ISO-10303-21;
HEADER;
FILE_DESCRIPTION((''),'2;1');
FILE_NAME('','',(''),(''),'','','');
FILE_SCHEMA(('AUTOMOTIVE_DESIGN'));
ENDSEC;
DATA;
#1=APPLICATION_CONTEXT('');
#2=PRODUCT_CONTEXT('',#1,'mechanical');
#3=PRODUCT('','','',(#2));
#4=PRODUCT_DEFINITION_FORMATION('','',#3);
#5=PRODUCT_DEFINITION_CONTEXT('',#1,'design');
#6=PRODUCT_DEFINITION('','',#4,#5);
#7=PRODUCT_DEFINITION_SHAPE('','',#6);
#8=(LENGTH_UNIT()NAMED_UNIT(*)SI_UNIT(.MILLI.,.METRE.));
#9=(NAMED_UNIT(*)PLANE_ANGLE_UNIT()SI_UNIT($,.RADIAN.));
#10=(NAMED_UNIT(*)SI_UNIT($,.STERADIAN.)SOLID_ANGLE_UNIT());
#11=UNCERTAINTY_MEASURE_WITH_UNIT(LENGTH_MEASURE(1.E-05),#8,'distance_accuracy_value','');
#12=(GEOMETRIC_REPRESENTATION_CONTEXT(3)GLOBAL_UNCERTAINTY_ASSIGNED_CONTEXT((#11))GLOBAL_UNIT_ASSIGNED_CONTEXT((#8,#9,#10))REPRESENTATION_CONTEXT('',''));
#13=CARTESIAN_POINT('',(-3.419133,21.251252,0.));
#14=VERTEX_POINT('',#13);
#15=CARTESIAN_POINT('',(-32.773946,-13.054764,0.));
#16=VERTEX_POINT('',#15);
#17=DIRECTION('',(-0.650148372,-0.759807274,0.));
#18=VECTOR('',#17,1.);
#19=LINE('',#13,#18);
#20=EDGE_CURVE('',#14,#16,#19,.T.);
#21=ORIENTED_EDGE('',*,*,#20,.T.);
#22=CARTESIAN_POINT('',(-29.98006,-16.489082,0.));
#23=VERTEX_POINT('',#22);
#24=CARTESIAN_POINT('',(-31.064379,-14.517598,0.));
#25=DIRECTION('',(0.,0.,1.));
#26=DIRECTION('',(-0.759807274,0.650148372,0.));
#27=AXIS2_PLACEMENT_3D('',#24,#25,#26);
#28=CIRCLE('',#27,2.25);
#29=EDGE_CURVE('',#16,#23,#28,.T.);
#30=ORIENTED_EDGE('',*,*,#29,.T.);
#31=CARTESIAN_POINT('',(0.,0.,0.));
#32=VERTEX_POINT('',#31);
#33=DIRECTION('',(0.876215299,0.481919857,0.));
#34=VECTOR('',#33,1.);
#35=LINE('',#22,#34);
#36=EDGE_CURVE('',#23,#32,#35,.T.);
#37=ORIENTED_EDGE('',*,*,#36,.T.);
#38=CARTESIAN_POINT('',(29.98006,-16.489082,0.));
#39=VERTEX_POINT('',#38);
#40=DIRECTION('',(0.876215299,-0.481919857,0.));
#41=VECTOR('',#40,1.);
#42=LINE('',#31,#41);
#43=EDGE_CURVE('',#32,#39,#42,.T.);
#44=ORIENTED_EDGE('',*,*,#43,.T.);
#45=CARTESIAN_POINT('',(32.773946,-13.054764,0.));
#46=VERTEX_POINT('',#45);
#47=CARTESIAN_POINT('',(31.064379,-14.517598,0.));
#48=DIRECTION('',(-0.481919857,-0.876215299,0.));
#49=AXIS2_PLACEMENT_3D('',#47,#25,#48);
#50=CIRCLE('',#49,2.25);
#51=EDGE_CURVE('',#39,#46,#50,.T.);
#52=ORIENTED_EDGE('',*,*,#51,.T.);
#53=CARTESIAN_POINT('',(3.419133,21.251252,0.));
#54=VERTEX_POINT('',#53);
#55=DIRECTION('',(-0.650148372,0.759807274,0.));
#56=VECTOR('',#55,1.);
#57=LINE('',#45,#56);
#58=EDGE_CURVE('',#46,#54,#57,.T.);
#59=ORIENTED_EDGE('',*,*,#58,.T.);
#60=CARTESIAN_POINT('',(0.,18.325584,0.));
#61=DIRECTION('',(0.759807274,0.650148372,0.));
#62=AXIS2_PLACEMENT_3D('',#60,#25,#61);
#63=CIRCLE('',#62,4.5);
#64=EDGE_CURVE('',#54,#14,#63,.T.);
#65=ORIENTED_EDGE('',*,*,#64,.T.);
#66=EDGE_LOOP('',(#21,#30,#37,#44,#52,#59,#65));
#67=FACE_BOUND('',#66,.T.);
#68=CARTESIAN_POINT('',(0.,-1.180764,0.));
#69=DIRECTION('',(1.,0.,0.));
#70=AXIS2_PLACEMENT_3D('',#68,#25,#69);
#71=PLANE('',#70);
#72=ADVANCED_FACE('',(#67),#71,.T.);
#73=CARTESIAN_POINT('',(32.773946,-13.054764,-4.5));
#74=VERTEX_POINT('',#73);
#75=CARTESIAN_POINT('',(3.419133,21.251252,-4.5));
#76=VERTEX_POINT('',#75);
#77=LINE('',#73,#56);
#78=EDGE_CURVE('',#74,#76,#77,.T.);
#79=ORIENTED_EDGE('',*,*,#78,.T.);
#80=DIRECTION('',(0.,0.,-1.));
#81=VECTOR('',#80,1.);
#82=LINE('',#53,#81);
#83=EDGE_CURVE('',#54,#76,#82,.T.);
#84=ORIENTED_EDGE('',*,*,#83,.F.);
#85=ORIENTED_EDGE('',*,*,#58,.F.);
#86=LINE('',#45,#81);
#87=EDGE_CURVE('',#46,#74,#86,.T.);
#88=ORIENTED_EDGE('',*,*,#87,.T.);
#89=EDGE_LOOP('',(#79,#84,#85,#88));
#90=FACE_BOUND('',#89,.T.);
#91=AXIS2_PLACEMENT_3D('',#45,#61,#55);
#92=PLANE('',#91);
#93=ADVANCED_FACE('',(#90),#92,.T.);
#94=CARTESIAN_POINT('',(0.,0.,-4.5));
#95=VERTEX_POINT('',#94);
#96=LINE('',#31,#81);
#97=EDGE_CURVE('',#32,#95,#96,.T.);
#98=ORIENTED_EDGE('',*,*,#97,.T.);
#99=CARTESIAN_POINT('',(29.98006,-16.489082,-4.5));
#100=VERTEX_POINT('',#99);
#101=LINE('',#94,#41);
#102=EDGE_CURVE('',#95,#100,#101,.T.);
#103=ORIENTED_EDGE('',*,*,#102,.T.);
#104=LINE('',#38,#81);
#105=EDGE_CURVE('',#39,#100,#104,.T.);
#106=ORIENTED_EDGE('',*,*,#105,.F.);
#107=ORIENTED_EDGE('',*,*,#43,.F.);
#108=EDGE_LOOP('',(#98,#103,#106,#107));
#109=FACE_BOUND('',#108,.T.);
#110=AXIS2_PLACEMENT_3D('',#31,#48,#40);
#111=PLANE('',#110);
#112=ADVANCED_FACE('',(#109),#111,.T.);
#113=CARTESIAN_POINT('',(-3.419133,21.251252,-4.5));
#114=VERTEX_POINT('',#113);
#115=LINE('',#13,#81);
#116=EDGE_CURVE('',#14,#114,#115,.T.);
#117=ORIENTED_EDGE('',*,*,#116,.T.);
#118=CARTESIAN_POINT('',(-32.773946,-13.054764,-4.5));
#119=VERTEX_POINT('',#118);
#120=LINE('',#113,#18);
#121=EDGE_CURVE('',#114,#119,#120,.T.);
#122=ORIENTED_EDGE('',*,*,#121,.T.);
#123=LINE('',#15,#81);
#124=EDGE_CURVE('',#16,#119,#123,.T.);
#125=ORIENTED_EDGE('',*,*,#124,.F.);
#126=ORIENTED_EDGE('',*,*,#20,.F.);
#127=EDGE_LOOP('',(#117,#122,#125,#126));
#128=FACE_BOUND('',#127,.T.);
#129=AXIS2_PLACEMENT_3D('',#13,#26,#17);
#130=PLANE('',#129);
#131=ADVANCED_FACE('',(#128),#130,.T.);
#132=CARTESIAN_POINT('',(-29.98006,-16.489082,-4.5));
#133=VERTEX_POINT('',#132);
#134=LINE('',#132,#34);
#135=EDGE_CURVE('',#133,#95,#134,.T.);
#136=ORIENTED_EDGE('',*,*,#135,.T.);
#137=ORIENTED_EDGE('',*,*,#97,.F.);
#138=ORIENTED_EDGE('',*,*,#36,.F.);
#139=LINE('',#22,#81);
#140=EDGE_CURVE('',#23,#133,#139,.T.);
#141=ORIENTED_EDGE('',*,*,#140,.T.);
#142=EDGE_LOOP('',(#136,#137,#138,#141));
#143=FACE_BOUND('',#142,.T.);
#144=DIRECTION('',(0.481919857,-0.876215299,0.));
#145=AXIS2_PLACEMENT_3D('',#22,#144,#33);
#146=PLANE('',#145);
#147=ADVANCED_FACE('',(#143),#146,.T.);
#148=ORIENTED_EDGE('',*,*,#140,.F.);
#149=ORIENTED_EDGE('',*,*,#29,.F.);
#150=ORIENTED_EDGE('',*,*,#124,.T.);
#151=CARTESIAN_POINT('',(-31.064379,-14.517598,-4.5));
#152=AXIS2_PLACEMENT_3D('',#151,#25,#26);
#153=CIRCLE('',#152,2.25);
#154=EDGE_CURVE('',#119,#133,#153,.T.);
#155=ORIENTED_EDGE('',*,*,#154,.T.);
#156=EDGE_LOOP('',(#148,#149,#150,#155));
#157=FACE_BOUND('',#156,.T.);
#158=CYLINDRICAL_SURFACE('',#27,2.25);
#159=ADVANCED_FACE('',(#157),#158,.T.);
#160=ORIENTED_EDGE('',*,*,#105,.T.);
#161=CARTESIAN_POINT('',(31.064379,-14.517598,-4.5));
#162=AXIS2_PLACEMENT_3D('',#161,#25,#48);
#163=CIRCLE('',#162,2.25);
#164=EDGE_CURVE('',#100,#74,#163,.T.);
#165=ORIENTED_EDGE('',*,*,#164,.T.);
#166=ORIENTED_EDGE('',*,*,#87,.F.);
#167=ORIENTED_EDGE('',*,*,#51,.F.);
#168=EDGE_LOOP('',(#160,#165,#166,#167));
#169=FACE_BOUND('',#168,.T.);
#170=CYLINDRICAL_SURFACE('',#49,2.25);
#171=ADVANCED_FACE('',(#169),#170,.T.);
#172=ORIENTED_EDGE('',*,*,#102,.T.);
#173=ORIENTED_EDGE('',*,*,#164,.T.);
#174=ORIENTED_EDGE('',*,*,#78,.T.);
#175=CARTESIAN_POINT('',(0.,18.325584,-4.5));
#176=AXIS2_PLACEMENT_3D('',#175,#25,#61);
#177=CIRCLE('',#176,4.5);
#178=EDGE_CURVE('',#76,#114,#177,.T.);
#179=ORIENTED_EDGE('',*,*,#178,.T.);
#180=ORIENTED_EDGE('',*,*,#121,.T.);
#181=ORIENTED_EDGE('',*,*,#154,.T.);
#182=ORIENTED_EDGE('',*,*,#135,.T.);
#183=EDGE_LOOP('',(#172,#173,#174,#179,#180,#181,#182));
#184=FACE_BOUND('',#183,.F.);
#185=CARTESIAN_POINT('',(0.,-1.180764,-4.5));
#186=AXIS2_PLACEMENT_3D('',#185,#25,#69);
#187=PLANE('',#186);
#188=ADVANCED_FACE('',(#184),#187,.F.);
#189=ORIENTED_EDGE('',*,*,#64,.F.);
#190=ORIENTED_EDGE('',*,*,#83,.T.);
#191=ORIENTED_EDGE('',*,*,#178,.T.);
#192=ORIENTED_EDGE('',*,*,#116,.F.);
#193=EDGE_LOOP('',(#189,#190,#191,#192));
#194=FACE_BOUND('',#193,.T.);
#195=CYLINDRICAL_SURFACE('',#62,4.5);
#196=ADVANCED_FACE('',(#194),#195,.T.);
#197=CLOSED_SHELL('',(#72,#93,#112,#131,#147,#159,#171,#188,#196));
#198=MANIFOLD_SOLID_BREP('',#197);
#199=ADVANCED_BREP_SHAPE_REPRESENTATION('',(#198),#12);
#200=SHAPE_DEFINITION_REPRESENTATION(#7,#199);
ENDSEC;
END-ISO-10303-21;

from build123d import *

# Parameters (mm, degrees)
F1_DEPTH = 3
F2_SCALE = 1.5


with BuildPart() as f1:
    # F0 (on Top) → F1 (new body)
    with BuildSketch(Plane.XY):
        with BuildLine():
            Line((-2.279421823, 14.1675013068), (-21.849297046, -8.7031758937))
            ThreePointArc((-21.849297046, -8.7031758937), (-21.8731761415, -10.6250020098), (-19.9867063483, -10.9927214012))
            Line((-19.9867063483, -10.9927214012), (0, 0))
            Line((0, 0), (19.9867063483, -10.9927214012))
            ThreePointArc((19.9867063483, -10.9927214012), (21.8731761415, -10.6250020098), (21.849297046, -8.7031758937))
            Line((21.849297046, -8.7031758937), (2.279421823, 14.1675013068))
            ThreePointArc((2.279421823, 14.1675013068), (0, 15.2170561903), (-2.279421823, 14.1675013068))
        make_face()
    extrude(amount=-F1_DEPTH)


with BuildPart() as f1_1:
    # F2: moved
    add(f1.part.scale(F2_SCALE))


solid = f1_1.part
